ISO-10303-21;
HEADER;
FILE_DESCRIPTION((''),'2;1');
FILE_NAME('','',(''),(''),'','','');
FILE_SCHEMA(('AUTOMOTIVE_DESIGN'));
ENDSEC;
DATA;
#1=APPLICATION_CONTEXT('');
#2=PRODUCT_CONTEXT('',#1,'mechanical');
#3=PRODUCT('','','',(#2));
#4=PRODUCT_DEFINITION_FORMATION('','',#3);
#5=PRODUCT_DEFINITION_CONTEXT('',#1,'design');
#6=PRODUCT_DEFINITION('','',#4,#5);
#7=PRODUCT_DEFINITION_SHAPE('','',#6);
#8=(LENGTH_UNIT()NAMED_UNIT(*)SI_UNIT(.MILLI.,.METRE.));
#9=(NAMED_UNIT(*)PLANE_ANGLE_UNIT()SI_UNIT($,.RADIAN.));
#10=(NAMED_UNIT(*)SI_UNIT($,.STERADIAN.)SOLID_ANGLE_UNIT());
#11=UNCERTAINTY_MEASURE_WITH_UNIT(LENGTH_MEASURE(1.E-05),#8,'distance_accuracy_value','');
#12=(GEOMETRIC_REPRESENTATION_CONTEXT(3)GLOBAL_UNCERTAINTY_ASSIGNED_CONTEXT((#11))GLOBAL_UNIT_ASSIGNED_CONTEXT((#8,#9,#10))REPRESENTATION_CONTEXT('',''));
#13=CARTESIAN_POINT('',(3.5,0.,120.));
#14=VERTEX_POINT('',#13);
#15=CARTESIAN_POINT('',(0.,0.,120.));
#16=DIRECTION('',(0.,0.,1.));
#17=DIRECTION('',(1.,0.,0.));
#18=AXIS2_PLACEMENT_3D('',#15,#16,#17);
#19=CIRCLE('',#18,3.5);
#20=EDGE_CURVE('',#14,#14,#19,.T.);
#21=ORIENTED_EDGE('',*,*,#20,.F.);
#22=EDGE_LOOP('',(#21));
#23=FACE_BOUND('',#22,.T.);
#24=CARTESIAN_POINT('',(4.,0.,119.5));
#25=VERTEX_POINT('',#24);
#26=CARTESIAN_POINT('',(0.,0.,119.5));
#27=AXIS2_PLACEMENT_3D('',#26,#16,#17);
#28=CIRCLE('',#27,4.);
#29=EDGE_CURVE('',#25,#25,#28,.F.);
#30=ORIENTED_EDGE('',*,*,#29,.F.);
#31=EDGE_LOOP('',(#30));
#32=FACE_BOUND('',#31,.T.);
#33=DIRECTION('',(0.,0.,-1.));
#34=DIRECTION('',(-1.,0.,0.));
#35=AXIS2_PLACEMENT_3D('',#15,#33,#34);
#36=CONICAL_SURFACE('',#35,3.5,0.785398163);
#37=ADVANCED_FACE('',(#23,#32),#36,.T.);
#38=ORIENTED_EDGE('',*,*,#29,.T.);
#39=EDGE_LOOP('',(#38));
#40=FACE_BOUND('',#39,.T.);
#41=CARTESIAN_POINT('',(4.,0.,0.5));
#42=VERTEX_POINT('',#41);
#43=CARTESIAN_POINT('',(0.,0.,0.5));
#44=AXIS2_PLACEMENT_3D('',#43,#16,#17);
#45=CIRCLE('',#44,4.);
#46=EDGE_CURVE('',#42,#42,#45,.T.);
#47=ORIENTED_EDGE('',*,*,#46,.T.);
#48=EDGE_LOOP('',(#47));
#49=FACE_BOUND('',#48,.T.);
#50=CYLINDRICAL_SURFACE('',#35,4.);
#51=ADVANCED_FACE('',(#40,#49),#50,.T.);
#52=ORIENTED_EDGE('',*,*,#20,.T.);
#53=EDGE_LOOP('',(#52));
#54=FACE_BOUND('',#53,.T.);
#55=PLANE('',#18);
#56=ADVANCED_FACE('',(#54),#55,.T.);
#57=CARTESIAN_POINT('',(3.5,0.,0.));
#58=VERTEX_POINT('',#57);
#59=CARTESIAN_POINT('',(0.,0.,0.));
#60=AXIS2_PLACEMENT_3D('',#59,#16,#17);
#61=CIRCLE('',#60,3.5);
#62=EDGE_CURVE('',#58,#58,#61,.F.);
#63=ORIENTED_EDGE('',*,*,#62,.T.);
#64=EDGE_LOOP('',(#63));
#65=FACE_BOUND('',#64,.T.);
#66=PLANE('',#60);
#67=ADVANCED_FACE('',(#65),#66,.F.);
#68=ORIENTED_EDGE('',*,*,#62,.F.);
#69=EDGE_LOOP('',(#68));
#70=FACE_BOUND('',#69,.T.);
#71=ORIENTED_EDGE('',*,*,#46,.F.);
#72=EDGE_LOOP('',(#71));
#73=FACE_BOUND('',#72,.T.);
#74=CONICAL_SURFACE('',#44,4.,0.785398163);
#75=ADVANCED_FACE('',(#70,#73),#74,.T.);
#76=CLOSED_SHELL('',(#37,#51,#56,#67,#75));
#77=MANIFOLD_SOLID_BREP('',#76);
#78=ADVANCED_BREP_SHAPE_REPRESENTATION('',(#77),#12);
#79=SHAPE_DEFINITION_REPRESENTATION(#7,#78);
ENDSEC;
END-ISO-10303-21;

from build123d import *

# Parameters (mm, degrees)
SKIZZE1_R                       = 4
AUFSATZ_LINEAR_AUSTRAGEN1_DEPTH = 120
FASE1_SIZE                      = 0.5


with BuildPart() as part:
    # Skizze1 → Aufsatz-Linear austragen1 (new body)
    with BuildSketch(Plane.XY):
        Circle(SKIZZE1_R)
    extrude(amount=AUFSATZ_LINEAR_AUSTRAGEN1_DEPTH)

    # Fase1
    fase1_edges = [part.edges().sort_by_distance(p)[0] for p in [
        (-4, 0, 0),
        (-4, 0, 120),
    ]]
    chamfer(fase1_edges, length=FASE1_SIZE)


solid = part.part
